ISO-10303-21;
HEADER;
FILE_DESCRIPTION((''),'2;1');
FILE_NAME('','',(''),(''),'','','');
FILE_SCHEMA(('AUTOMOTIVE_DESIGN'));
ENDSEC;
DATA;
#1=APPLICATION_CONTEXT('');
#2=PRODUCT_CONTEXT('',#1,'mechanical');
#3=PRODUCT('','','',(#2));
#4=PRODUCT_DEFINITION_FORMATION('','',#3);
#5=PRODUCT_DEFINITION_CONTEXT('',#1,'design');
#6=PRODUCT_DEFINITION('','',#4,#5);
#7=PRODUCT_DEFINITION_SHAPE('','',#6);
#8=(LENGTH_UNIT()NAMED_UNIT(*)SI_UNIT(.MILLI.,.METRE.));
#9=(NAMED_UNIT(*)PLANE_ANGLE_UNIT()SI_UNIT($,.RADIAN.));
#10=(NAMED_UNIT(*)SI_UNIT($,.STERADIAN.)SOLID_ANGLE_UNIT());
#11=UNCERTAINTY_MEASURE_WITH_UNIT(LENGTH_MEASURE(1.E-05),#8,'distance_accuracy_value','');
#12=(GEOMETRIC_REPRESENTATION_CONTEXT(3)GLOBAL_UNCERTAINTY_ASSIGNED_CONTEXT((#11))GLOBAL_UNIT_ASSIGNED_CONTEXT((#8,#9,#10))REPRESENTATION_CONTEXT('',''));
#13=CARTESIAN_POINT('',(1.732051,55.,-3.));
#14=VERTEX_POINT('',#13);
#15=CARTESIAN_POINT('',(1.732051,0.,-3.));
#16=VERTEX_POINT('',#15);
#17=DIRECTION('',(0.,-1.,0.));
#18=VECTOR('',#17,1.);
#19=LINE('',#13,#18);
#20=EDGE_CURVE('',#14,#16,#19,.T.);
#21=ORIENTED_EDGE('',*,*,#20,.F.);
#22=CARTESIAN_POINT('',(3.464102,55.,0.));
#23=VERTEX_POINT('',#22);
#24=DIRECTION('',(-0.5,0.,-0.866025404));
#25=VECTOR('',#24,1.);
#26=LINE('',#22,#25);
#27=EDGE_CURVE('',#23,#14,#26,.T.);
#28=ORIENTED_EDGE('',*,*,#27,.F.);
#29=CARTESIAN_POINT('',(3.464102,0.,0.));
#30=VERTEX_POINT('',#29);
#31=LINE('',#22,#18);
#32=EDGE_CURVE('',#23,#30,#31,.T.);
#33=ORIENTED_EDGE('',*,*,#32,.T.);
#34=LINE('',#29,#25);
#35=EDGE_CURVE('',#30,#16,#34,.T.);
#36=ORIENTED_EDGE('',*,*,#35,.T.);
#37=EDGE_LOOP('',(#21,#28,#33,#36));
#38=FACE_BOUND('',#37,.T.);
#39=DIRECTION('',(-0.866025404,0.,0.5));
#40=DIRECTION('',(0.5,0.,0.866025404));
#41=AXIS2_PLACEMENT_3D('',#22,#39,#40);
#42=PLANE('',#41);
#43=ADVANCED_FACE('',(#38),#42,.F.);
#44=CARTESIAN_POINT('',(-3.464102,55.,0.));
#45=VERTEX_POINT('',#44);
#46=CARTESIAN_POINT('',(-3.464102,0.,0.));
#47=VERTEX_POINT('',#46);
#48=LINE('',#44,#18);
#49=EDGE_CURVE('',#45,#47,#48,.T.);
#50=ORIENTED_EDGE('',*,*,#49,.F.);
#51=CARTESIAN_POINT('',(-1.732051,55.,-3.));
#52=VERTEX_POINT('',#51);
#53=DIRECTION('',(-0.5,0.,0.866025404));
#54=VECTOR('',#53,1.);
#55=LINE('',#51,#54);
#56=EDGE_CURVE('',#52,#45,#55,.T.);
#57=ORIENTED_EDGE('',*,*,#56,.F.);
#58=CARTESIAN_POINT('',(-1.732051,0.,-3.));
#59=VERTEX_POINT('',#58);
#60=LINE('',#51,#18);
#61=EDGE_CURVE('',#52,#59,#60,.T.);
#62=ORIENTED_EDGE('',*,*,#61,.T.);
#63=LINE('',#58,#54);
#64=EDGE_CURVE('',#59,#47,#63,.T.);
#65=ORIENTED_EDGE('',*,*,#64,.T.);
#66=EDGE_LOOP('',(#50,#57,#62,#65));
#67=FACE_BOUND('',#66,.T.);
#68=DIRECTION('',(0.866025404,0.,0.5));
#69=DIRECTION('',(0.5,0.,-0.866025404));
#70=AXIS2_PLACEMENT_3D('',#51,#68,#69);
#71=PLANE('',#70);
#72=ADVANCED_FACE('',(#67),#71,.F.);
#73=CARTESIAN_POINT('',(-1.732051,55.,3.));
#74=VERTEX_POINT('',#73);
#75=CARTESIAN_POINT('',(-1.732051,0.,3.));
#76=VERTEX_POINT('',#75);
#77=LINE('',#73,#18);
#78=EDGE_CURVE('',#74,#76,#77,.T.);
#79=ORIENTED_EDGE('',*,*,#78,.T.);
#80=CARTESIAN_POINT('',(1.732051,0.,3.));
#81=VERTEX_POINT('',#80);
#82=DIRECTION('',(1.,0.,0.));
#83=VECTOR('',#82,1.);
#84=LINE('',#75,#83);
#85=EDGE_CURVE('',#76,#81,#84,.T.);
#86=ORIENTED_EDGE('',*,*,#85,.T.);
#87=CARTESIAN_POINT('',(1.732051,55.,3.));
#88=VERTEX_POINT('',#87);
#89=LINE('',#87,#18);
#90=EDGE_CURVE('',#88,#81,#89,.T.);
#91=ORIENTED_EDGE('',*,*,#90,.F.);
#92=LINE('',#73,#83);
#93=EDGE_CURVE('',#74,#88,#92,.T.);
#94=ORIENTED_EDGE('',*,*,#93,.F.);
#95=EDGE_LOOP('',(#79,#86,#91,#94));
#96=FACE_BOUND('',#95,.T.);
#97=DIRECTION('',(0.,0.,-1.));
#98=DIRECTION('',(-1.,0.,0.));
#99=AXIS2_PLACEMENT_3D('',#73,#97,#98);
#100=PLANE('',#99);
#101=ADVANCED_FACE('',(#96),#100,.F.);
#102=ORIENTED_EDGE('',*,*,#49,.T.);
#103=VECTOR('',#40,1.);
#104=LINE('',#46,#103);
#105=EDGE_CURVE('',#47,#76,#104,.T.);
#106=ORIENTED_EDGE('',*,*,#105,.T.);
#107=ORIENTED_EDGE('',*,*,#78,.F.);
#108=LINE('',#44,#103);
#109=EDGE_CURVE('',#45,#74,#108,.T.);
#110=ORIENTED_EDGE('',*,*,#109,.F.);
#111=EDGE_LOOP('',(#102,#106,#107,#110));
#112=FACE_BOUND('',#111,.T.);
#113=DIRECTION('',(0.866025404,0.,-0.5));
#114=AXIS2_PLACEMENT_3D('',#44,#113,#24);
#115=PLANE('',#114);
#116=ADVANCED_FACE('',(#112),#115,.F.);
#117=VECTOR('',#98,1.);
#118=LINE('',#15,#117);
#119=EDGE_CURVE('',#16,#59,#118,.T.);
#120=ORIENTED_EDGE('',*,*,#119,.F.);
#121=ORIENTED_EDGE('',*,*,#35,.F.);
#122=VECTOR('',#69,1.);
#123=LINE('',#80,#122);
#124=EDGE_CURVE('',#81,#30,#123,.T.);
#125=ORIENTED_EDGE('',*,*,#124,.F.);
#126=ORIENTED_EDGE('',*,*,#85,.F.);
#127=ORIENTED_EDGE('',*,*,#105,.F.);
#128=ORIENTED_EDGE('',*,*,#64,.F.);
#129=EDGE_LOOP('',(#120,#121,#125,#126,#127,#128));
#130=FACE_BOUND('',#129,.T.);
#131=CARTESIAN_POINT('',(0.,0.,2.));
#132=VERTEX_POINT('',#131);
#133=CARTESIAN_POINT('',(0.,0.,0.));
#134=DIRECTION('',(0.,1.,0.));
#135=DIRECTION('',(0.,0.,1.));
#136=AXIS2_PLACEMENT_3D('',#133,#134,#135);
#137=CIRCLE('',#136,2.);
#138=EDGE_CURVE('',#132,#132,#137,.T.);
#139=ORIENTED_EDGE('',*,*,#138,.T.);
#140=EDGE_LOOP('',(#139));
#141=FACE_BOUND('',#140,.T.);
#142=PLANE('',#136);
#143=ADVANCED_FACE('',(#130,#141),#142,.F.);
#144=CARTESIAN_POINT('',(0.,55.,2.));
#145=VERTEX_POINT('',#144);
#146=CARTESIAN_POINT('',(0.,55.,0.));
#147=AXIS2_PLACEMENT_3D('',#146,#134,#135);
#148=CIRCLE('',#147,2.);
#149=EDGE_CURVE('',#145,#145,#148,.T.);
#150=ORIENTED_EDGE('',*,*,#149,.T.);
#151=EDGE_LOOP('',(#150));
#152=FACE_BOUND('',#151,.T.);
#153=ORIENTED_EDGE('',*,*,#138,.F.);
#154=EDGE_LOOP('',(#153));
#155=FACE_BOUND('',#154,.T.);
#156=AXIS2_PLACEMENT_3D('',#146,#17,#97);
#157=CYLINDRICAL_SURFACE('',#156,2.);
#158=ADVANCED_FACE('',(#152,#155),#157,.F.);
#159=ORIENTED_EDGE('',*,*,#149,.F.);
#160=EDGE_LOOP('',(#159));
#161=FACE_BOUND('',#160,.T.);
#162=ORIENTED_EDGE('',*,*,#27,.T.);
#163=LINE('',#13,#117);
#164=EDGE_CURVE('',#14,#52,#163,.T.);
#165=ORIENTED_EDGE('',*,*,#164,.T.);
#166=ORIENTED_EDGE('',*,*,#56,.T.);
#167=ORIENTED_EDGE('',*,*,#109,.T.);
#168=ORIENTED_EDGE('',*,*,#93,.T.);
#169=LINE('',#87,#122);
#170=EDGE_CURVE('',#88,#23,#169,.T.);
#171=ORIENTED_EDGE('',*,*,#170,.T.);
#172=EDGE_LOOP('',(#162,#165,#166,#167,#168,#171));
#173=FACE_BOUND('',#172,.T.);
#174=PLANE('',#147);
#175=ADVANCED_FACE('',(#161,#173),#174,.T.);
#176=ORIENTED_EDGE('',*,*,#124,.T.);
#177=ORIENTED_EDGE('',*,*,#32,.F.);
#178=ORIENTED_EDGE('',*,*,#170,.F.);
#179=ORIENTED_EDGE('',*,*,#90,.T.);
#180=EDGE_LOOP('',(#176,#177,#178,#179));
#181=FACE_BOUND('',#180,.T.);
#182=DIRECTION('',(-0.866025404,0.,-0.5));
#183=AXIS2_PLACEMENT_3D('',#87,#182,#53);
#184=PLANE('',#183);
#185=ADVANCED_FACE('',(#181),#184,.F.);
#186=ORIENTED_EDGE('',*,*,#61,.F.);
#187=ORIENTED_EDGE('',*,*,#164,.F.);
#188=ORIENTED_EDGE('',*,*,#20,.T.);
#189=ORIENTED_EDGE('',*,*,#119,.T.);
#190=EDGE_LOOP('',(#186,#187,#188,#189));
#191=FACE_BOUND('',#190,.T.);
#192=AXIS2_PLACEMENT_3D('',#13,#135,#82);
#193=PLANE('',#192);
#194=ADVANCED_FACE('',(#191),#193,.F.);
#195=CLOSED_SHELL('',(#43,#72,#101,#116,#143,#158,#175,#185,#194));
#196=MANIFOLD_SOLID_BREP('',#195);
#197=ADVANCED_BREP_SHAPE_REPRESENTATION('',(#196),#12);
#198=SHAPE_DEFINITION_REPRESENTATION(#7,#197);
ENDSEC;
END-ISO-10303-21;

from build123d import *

# Parameters (mm, degrees)
SKETCH_1_R      = 2
EXTRUDE_1_DEPTH = 55


with BuildPart() as part:
    # 草图1 → 凸台-拉伸1 (new body)
    with BuildSketch(Plane(origin=(0, 0, 0), x_dir=(1, 0, 0), z_dir=(0, 1, 0))):
        Polygon((1.732050808, 3), (-1.732050808, 3), (-3.464101615, 0), (-1.732050808, -3), (1.732050808, -3), (3.464101615, 0), align=None)
        with Locations(Location((0, 0, 0), (0, 0, 270))):
            Circle(SKETCH_1_R, mode=Mode.SUBTRACT)
    extrude(amount=EXTRUDE_1_DEPTH)


solid = part.part
